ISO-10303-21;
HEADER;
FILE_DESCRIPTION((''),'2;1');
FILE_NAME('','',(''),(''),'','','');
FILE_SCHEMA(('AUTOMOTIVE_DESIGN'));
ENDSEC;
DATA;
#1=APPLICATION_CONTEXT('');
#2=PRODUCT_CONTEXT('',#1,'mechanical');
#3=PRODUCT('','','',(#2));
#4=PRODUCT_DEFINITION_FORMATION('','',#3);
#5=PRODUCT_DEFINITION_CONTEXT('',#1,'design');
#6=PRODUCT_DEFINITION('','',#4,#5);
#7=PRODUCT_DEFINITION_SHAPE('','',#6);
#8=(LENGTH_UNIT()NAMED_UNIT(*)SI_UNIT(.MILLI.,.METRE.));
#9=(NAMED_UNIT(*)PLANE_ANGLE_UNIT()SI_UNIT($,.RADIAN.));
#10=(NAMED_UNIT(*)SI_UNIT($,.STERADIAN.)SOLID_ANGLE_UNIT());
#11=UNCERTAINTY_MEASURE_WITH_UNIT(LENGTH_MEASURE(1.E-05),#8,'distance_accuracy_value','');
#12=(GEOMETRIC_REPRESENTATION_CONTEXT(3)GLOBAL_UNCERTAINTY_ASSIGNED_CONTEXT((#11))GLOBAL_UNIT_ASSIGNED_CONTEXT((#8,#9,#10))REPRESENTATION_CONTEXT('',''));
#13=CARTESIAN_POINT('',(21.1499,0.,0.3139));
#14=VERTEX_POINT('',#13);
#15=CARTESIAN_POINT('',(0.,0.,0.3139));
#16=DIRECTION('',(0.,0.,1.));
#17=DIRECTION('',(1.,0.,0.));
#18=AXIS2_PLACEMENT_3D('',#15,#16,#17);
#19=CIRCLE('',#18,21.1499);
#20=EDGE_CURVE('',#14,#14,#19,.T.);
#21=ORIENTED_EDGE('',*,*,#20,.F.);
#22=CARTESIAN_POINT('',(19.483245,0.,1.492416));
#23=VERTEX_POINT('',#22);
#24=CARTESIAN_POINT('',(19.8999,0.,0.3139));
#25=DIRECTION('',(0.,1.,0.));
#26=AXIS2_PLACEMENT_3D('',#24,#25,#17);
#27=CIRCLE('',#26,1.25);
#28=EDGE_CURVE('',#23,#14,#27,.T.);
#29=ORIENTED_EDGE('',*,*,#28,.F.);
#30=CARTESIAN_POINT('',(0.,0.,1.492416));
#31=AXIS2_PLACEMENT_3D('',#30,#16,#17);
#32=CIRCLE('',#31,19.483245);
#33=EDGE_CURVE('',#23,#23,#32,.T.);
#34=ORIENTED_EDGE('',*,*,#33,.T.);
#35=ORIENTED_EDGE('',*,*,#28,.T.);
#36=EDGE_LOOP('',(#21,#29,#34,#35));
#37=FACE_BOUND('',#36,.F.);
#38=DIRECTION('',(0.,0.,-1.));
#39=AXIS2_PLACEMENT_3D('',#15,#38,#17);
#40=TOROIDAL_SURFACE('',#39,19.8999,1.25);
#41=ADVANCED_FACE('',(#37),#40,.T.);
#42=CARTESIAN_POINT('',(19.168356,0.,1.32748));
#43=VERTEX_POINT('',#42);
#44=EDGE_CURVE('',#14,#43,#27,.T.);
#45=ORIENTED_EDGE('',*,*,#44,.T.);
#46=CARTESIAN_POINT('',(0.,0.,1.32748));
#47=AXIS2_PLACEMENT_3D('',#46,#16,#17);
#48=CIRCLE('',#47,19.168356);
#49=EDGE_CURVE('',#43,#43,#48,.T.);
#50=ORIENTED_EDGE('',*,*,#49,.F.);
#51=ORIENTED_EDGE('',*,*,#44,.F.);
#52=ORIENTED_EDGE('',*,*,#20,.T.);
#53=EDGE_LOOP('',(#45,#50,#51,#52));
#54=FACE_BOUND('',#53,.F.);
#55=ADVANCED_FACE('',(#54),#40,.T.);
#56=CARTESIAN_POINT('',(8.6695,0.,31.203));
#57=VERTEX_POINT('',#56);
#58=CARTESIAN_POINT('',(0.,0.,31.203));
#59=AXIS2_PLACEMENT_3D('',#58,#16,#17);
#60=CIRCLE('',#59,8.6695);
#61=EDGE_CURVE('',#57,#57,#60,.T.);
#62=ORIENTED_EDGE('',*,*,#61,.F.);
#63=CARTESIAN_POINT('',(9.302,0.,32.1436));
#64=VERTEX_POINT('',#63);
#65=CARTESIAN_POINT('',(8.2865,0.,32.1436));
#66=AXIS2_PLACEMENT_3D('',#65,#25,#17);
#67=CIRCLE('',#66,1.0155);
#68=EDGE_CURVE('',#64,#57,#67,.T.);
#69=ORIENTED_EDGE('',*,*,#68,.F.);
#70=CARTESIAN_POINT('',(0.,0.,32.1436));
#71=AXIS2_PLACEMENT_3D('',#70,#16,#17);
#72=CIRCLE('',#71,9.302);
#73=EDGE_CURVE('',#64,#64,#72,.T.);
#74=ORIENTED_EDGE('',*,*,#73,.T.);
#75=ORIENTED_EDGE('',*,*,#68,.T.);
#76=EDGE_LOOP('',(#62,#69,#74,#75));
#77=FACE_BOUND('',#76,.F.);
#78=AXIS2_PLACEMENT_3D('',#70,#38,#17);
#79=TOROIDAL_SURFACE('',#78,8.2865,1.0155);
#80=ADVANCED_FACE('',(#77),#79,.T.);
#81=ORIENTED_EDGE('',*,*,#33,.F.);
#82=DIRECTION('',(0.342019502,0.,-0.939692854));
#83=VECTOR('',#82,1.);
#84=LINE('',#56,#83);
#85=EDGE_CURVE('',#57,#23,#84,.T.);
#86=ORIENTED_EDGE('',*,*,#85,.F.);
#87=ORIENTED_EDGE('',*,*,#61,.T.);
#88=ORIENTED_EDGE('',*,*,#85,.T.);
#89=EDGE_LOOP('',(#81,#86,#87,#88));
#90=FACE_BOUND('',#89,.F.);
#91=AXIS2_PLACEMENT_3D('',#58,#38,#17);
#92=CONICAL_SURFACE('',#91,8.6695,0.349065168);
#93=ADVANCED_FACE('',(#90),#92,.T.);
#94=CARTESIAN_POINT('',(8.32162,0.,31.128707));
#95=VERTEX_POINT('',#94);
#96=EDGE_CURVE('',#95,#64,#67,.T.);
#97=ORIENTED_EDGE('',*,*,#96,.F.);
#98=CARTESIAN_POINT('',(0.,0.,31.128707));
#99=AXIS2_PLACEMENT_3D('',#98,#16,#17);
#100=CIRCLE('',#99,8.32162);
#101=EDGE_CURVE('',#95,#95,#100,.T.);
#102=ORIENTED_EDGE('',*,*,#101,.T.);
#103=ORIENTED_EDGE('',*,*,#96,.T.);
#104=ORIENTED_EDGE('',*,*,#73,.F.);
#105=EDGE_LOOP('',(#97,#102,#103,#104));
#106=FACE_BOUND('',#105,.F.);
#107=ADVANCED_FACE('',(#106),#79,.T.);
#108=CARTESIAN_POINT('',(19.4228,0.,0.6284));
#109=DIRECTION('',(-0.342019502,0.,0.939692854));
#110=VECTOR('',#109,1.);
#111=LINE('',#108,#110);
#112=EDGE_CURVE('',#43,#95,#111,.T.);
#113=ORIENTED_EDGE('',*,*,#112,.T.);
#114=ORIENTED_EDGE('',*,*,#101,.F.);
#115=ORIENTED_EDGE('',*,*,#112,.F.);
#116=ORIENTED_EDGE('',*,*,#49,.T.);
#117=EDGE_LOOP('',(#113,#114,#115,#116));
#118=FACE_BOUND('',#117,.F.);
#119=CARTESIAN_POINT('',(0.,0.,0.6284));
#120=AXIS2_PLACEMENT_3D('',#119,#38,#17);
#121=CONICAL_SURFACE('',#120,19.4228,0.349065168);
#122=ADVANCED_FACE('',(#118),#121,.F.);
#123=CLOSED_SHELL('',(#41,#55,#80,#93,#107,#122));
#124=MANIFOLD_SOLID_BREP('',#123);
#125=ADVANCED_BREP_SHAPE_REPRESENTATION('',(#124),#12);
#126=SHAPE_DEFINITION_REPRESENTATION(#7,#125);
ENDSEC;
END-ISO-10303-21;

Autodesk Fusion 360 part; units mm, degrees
sketch "Sketch1" plane through (0, 0, 0) normal (0, 1, 0) x (1, 0, 0)
  line L0 (8.6695, -31.203) -> (19.8347, -0.5268)
  line L1 (19.4228, -0.6284) -> (8.2576, -31.3046)
  circle A0 centre (8.2865, -32.1436) radius 1.0155
  circle A1 centre (19.8999, -0.3139) radius 1.25
  dimension "d5" = 2.5
revolve "Revolve1" add sketch "Sketch1" angle 360 about axis through (0, 0, 1.75) along (0, 0, 1)
